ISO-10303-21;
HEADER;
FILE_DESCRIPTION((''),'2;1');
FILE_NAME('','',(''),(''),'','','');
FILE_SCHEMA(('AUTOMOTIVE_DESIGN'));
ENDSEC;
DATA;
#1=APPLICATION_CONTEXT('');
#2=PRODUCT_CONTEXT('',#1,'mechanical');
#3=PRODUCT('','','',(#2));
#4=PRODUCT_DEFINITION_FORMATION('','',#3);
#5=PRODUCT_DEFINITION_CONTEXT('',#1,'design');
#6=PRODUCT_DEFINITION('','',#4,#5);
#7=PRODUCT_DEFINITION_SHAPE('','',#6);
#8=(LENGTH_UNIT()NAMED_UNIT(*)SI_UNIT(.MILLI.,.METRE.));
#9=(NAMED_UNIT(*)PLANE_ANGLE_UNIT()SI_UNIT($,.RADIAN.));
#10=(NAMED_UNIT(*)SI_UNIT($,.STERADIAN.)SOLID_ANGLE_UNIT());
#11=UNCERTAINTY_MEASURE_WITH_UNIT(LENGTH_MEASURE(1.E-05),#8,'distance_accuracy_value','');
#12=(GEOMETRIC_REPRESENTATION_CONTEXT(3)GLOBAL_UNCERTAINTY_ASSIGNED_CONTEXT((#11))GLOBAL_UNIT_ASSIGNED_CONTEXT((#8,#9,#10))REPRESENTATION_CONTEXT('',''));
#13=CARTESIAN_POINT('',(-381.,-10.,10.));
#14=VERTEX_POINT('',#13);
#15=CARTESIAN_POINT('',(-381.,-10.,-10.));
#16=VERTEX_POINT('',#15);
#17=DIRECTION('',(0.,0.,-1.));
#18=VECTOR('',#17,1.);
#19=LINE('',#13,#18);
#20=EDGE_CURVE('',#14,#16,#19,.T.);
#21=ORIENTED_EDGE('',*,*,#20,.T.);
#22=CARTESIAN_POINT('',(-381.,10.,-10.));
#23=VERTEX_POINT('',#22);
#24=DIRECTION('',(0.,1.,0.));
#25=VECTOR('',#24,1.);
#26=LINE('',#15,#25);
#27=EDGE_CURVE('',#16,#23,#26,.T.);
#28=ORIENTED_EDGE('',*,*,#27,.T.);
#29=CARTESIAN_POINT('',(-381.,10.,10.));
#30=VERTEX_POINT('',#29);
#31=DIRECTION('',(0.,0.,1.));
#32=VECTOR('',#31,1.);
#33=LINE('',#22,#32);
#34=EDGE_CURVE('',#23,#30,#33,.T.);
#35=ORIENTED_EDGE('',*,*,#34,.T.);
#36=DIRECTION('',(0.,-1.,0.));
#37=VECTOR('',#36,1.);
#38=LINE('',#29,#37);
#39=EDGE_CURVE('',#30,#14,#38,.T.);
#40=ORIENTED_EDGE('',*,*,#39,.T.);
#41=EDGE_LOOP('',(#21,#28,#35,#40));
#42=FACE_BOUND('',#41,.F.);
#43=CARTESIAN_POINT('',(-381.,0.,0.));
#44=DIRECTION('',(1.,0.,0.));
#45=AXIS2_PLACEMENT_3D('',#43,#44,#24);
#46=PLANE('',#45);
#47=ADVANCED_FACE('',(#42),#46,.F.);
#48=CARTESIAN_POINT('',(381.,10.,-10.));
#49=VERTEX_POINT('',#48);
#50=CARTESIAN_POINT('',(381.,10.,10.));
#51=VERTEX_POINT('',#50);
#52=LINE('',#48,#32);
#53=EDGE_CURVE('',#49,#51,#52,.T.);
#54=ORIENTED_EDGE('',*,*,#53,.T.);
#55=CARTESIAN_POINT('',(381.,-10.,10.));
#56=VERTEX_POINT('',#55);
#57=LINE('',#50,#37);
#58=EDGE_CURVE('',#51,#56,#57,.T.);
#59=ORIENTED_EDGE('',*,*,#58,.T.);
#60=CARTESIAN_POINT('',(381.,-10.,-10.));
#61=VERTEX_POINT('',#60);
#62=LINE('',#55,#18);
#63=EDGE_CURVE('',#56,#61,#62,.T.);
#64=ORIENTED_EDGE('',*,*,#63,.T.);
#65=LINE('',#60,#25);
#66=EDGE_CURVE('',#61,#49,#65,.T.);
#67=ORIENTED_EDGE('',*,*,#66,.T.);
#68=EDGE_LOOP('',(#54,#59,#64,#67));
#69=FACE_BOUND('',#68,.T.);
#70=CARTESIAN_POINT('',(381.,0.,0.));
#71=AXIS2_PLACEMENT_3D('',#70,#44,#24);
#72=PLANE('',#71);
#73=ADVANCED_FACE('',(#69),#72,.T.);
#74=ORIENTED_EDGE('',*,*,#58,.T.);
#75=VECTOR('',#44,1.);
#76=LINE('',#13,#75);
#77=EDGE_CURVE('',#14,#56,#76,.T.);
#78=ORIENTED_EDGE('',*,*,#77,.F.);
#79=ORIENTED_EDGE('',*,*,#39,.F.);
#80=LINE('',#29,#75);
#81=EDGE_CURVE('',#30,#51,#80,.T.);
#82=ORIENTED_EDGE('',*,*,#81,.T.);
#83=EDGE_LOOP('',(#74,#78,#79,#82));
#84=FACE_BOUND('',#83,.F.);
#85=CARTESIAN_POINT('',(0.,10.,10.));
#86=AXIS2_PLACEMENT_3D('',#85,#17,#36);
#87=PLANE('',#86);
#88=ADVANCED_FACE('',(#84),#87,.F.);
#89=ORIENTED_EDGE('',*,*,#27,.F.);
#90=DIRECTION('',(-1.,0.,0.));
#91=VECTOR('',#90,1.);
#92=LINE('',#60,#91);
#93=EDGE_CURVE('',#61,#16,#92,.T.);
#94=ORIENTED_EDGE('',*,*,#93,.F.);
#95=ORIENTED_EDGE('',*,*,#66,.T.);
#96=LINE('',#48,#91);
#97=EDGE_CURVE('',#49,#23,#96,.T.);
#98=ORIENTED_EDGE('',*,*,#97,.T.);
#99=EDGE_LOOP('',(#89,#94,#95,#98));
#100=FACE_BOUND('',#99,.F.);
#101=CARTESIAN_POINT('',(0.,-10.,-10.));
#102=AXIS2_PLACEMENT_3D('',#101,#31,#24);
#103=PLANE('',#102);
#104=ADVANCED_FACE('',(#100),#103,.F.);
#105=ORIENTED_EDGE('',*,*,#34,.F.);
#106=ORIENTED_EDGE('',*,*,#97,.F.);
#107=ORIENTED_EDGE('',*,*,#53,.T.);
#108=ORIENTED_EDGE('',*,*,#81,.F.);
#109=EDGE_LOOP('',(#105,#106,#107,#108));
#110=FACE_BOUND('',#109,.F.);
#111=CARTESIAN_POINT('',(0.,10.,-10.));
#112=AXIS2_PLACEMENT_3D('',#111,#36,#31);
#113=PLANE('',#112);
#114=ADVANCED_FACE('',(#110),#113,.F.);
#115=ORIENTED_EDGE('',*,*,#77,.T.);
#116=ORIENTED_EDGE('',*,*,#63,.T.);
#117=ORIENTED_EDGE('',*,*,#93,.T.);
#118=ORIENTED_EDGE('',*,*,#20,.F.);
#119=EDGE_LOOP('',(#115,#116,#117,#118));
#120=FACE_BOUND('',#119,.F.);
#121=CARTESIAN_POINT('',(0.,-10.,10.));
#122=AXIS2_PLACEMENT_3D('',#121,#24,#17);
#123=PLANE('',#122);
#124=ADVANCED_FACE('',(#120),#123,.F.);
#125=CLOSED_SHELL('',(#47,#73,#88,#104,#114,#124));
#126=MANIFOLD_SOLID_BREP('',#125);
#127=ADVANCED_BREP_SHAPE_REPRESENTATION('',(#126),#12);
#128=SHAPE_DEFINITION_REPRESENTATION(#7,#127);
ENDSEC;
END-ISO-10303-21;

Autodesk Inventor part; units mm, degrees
ref_plane "YZ Plane" through (0, 0, 0) normal (1, 0, 0) x (0, 1, 0)
ref_plane "XZ Plane" through (0, 0, 0) normal (0, 1, 0) x (-1, 0, 0)
ref_plane "XY Plane" through (0, 0, 0) normal (0, 0, 1) x (1, 0, 0)
sketch "Sketch1" plane through (0, 0, 0) normal (1, 0, 0) x (0, 1, 0)
  line L0 (10, 10) -> (-10, 10)
  line L1 (-10, 10) -> (-10, -10)
  line L2 (-10, -10) -> (10, -10)
  line L3 (10, -10) -> (10, 10)
  line L4 (10, 10) -> (-10, -10) construction
  line L5 (-10, 10) -> (10, -10) construction
  point P0 (0, 0)
  dimension "d0" = 20
  dimension "d1" = 20
extrude "Extrusion1" add sketch "Sketch1" along normal mid plane 762
ref_plane "Work Plane1" through (0, 0, 0) normal (-1, 0, 0) x (0, 0, 1)
properties part number "Alum extrusion 30in"
